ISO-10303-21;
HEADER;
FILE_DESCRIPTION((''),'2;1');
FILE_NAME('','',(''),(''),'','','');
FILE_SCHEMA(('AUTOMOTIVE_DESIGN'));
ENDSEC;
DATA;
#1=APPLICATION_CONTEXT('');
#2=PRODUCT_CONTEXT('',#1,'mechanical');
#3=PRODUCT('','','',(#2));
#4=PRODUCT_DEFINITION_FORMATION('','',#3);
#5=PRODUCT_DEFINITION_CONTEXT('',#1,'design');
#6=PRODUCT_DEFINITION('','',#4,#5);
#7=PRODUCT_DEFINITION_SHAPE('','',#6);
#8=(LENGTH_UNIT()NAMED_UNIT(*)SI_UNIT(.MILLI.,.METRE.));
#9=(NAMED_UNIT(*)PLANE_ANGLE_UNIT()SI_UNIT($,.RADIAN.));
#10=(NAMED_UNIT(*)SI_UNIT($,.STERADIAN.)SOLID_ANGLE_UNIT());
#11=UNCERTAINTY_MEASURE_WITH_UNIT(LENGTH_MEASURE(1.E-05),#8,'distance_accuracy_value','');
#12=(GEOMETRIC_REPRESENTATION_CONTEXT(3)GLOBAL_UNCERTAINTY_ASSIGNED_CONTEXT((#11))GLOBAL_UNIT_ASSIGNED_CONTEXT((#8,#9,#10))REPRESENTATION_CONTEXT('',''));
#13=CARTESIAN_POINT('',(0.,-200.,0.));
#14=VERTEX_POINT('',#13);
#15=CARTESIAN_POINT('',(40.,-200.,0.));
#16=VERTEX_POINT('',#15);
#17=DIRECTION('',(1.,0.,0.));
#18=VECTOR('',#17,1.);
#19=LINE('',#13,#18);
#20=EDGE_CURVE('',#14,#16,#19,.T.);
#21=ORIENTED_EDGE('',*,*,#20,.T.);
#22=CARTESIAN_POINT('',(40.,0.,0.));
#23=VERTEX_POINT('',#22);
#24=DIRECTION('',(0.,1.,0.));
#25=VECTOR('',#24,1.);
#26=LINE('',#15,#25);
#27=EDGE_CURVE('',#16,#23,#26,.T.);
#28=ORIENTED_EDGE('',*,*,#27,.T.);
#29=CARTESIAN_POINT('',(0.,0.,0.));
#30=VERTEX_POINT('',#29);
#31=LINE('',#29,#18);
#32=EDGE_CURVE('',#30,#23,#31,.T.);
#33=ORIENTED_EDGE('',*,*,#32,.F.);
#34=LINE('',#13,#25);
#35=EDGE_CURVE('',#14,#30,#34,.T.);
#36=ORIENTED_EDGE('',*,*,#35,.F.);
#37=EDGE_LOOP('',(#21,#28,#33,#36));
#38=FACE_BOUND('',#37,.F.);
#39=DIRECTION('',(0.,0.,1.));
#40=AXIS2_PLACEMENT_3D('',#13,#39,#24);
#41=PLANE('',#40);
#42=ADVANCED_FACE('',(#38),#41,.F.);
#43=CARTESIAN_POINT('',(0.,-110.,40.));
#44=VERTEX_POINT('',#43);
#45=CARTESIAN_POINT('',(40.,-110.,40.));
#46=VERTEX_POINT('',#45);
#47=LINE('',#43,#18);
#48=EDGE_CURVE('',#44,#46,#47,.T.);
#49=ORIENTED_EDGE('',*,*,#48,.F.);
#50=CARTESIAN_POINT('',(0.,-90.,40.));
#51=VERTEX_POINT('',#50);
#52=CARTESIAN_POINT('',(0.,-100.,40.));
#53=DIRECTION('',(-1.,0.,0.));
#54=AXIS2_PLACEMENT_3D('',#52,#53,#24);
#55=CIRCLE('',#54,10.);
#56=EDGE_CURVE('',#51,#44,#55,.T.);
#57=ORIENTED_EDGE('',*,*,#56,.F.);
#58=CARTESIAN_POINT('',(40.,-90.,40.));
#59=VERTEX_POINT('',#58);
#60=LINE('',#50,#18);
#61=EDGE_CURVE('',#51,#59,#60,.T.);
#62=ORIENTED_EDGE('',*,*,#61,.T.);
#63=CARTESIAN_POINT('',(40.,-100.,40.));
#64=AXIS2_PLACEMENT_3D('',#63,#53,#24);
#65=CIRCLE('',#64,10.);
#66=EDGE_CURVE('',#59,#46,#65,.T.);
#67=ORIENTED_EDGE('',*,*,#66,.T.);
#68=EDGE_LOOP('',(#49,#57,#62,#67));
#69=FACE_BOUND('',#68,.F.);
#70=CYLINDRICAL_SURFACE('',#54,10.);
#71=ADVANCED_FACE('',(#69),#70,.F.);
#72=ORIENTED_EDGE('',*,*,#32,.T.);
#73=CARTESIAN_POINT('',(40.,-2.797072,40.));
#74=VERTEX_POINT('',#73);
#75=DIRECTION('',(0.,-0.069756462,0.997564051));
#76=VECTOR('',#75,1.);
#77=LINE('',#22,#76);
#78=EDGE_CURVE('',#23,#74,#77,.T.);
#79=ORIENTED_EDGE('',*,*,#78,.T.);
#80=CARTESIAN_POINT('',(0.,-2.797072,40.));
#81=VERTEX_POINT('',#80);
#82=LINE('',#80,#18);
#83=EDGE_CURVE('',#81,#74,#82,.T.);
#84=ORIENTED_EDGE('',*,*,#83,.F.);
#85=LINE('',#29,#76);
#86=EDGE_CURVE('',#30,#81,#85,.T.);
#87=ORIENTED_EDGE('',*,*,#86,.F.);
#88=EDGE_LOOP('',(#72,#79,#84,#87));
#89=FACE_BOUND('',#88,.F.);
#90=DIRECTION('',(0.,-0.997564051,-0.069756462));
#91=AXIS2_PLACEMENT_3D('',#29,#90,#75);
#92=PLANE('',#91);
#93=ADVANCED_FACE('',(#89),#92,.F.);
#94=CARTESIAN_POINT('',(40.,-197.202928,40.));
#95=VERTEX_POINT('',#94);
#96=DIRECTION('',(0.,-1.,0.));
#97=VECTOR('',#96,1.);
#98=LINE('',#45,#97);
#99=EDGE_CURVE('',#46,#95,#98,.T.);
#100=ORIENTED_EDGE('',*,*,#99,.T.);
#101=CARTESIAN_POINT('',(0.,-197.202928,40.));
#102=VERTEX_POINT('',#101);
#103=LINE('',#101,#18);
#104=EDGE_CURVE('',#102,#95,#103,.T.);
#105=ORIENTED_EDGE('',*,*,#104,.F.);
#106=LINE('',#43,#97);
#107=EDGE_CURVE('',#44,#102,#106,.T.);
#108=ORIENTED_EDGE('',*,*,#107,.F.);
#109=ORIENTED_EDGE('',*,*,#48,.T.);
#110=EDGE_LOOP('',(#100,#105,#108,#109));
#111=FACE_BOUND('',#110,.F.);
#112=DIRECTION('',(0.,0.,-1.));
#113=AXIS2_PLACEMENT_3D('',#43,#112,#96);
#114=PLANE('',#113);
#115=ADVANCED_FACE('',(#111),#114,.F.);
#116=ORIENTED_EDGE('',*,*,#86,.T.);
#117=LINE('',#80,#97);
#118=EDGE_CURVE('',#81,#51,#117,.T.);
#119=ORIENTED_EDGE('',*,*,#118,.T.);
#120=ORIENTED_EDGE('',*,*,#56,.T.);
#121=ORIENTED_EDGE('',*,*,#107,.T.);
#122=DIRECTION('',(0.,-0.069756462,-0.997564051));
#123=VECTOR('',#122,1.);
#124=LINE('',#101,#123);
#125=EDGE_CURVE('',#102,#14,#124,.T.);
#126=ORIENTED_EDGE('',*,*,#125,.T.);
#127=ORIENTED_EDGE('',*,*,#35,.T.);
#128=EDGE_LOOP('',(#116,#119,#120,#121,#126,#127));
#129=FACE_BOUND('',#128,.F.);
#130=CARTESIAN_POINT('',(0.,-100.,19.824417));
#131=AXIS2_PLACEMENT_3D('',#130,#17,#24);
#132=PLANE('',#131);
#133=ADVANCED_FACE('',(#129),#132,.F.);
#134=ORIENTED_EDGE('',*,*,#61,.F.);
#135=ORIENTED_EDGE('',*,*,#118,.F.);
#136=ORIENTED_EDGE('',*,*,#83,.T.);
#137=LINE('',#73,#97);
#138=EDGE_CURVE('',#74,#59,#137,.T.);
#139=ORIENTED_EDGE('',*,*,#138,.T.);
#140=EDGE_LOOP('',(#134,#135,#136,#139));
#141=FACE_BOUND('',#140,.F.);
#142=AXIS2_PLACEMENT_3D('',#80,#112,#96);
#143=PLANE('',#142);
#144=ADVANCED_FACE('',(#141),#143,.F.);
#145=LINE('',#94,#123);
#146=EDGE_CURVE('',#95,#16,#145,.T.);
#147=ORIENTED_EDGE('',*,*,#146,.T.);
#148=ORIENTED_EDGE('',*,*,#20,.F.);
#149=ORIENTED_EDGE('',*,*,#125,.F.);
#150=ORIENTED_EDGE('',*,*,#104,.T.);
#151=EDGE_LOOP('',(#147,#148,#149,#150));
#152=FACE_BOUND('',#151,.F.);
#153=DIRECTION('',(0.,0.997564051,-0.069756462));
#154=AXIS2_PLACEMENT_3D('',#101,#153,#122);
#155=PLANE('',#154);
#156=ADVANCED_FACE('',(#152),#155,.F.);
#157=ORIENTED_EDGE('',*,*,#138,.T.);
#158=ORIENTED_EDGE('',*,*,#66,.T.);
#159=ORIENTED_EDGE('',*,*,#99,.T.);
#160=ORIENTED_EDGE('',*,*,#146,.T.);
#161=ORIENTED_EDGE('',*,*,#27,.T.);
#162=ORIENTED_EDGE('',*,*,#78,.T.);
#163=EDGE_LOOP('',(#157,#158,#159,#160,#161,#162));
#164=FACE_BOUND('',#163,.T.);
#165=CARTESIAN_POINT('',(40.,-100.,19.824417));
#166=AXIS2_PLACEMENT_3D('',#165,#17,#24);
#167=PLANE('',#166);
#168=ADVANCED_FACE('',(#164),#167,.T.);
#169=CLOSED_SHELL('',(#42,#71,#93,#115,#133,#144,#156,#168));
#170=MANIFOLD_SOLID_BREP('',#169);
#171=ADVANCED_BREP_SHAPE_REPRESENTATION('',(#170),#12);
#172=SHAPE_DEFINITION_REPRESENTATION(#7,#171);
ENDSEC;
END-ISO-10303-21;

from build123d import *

# Parameters (mm, degrees)
F1_DEPTH = 40


with BuildPart() as f1:
    # F0 (on Right) → F1 (new body)
    with BuildSketch(Plane.YZ):
        with BuildLine():
            Line((-200, 0), (0, 0))
            Line((0, 0), (-2.797072, 40))
            Line((-2.797072, 40), (-90, 40))
            ThreePointArc((-90, 40), (-100, 30), (-110, 40))
            Line((-110, 40), (-197.202928, 40))
            Line((-197.202928, 40), (-200, 0))
        make_face()
    extrude(amount=F1_DEPTH)


solid = f1.part
